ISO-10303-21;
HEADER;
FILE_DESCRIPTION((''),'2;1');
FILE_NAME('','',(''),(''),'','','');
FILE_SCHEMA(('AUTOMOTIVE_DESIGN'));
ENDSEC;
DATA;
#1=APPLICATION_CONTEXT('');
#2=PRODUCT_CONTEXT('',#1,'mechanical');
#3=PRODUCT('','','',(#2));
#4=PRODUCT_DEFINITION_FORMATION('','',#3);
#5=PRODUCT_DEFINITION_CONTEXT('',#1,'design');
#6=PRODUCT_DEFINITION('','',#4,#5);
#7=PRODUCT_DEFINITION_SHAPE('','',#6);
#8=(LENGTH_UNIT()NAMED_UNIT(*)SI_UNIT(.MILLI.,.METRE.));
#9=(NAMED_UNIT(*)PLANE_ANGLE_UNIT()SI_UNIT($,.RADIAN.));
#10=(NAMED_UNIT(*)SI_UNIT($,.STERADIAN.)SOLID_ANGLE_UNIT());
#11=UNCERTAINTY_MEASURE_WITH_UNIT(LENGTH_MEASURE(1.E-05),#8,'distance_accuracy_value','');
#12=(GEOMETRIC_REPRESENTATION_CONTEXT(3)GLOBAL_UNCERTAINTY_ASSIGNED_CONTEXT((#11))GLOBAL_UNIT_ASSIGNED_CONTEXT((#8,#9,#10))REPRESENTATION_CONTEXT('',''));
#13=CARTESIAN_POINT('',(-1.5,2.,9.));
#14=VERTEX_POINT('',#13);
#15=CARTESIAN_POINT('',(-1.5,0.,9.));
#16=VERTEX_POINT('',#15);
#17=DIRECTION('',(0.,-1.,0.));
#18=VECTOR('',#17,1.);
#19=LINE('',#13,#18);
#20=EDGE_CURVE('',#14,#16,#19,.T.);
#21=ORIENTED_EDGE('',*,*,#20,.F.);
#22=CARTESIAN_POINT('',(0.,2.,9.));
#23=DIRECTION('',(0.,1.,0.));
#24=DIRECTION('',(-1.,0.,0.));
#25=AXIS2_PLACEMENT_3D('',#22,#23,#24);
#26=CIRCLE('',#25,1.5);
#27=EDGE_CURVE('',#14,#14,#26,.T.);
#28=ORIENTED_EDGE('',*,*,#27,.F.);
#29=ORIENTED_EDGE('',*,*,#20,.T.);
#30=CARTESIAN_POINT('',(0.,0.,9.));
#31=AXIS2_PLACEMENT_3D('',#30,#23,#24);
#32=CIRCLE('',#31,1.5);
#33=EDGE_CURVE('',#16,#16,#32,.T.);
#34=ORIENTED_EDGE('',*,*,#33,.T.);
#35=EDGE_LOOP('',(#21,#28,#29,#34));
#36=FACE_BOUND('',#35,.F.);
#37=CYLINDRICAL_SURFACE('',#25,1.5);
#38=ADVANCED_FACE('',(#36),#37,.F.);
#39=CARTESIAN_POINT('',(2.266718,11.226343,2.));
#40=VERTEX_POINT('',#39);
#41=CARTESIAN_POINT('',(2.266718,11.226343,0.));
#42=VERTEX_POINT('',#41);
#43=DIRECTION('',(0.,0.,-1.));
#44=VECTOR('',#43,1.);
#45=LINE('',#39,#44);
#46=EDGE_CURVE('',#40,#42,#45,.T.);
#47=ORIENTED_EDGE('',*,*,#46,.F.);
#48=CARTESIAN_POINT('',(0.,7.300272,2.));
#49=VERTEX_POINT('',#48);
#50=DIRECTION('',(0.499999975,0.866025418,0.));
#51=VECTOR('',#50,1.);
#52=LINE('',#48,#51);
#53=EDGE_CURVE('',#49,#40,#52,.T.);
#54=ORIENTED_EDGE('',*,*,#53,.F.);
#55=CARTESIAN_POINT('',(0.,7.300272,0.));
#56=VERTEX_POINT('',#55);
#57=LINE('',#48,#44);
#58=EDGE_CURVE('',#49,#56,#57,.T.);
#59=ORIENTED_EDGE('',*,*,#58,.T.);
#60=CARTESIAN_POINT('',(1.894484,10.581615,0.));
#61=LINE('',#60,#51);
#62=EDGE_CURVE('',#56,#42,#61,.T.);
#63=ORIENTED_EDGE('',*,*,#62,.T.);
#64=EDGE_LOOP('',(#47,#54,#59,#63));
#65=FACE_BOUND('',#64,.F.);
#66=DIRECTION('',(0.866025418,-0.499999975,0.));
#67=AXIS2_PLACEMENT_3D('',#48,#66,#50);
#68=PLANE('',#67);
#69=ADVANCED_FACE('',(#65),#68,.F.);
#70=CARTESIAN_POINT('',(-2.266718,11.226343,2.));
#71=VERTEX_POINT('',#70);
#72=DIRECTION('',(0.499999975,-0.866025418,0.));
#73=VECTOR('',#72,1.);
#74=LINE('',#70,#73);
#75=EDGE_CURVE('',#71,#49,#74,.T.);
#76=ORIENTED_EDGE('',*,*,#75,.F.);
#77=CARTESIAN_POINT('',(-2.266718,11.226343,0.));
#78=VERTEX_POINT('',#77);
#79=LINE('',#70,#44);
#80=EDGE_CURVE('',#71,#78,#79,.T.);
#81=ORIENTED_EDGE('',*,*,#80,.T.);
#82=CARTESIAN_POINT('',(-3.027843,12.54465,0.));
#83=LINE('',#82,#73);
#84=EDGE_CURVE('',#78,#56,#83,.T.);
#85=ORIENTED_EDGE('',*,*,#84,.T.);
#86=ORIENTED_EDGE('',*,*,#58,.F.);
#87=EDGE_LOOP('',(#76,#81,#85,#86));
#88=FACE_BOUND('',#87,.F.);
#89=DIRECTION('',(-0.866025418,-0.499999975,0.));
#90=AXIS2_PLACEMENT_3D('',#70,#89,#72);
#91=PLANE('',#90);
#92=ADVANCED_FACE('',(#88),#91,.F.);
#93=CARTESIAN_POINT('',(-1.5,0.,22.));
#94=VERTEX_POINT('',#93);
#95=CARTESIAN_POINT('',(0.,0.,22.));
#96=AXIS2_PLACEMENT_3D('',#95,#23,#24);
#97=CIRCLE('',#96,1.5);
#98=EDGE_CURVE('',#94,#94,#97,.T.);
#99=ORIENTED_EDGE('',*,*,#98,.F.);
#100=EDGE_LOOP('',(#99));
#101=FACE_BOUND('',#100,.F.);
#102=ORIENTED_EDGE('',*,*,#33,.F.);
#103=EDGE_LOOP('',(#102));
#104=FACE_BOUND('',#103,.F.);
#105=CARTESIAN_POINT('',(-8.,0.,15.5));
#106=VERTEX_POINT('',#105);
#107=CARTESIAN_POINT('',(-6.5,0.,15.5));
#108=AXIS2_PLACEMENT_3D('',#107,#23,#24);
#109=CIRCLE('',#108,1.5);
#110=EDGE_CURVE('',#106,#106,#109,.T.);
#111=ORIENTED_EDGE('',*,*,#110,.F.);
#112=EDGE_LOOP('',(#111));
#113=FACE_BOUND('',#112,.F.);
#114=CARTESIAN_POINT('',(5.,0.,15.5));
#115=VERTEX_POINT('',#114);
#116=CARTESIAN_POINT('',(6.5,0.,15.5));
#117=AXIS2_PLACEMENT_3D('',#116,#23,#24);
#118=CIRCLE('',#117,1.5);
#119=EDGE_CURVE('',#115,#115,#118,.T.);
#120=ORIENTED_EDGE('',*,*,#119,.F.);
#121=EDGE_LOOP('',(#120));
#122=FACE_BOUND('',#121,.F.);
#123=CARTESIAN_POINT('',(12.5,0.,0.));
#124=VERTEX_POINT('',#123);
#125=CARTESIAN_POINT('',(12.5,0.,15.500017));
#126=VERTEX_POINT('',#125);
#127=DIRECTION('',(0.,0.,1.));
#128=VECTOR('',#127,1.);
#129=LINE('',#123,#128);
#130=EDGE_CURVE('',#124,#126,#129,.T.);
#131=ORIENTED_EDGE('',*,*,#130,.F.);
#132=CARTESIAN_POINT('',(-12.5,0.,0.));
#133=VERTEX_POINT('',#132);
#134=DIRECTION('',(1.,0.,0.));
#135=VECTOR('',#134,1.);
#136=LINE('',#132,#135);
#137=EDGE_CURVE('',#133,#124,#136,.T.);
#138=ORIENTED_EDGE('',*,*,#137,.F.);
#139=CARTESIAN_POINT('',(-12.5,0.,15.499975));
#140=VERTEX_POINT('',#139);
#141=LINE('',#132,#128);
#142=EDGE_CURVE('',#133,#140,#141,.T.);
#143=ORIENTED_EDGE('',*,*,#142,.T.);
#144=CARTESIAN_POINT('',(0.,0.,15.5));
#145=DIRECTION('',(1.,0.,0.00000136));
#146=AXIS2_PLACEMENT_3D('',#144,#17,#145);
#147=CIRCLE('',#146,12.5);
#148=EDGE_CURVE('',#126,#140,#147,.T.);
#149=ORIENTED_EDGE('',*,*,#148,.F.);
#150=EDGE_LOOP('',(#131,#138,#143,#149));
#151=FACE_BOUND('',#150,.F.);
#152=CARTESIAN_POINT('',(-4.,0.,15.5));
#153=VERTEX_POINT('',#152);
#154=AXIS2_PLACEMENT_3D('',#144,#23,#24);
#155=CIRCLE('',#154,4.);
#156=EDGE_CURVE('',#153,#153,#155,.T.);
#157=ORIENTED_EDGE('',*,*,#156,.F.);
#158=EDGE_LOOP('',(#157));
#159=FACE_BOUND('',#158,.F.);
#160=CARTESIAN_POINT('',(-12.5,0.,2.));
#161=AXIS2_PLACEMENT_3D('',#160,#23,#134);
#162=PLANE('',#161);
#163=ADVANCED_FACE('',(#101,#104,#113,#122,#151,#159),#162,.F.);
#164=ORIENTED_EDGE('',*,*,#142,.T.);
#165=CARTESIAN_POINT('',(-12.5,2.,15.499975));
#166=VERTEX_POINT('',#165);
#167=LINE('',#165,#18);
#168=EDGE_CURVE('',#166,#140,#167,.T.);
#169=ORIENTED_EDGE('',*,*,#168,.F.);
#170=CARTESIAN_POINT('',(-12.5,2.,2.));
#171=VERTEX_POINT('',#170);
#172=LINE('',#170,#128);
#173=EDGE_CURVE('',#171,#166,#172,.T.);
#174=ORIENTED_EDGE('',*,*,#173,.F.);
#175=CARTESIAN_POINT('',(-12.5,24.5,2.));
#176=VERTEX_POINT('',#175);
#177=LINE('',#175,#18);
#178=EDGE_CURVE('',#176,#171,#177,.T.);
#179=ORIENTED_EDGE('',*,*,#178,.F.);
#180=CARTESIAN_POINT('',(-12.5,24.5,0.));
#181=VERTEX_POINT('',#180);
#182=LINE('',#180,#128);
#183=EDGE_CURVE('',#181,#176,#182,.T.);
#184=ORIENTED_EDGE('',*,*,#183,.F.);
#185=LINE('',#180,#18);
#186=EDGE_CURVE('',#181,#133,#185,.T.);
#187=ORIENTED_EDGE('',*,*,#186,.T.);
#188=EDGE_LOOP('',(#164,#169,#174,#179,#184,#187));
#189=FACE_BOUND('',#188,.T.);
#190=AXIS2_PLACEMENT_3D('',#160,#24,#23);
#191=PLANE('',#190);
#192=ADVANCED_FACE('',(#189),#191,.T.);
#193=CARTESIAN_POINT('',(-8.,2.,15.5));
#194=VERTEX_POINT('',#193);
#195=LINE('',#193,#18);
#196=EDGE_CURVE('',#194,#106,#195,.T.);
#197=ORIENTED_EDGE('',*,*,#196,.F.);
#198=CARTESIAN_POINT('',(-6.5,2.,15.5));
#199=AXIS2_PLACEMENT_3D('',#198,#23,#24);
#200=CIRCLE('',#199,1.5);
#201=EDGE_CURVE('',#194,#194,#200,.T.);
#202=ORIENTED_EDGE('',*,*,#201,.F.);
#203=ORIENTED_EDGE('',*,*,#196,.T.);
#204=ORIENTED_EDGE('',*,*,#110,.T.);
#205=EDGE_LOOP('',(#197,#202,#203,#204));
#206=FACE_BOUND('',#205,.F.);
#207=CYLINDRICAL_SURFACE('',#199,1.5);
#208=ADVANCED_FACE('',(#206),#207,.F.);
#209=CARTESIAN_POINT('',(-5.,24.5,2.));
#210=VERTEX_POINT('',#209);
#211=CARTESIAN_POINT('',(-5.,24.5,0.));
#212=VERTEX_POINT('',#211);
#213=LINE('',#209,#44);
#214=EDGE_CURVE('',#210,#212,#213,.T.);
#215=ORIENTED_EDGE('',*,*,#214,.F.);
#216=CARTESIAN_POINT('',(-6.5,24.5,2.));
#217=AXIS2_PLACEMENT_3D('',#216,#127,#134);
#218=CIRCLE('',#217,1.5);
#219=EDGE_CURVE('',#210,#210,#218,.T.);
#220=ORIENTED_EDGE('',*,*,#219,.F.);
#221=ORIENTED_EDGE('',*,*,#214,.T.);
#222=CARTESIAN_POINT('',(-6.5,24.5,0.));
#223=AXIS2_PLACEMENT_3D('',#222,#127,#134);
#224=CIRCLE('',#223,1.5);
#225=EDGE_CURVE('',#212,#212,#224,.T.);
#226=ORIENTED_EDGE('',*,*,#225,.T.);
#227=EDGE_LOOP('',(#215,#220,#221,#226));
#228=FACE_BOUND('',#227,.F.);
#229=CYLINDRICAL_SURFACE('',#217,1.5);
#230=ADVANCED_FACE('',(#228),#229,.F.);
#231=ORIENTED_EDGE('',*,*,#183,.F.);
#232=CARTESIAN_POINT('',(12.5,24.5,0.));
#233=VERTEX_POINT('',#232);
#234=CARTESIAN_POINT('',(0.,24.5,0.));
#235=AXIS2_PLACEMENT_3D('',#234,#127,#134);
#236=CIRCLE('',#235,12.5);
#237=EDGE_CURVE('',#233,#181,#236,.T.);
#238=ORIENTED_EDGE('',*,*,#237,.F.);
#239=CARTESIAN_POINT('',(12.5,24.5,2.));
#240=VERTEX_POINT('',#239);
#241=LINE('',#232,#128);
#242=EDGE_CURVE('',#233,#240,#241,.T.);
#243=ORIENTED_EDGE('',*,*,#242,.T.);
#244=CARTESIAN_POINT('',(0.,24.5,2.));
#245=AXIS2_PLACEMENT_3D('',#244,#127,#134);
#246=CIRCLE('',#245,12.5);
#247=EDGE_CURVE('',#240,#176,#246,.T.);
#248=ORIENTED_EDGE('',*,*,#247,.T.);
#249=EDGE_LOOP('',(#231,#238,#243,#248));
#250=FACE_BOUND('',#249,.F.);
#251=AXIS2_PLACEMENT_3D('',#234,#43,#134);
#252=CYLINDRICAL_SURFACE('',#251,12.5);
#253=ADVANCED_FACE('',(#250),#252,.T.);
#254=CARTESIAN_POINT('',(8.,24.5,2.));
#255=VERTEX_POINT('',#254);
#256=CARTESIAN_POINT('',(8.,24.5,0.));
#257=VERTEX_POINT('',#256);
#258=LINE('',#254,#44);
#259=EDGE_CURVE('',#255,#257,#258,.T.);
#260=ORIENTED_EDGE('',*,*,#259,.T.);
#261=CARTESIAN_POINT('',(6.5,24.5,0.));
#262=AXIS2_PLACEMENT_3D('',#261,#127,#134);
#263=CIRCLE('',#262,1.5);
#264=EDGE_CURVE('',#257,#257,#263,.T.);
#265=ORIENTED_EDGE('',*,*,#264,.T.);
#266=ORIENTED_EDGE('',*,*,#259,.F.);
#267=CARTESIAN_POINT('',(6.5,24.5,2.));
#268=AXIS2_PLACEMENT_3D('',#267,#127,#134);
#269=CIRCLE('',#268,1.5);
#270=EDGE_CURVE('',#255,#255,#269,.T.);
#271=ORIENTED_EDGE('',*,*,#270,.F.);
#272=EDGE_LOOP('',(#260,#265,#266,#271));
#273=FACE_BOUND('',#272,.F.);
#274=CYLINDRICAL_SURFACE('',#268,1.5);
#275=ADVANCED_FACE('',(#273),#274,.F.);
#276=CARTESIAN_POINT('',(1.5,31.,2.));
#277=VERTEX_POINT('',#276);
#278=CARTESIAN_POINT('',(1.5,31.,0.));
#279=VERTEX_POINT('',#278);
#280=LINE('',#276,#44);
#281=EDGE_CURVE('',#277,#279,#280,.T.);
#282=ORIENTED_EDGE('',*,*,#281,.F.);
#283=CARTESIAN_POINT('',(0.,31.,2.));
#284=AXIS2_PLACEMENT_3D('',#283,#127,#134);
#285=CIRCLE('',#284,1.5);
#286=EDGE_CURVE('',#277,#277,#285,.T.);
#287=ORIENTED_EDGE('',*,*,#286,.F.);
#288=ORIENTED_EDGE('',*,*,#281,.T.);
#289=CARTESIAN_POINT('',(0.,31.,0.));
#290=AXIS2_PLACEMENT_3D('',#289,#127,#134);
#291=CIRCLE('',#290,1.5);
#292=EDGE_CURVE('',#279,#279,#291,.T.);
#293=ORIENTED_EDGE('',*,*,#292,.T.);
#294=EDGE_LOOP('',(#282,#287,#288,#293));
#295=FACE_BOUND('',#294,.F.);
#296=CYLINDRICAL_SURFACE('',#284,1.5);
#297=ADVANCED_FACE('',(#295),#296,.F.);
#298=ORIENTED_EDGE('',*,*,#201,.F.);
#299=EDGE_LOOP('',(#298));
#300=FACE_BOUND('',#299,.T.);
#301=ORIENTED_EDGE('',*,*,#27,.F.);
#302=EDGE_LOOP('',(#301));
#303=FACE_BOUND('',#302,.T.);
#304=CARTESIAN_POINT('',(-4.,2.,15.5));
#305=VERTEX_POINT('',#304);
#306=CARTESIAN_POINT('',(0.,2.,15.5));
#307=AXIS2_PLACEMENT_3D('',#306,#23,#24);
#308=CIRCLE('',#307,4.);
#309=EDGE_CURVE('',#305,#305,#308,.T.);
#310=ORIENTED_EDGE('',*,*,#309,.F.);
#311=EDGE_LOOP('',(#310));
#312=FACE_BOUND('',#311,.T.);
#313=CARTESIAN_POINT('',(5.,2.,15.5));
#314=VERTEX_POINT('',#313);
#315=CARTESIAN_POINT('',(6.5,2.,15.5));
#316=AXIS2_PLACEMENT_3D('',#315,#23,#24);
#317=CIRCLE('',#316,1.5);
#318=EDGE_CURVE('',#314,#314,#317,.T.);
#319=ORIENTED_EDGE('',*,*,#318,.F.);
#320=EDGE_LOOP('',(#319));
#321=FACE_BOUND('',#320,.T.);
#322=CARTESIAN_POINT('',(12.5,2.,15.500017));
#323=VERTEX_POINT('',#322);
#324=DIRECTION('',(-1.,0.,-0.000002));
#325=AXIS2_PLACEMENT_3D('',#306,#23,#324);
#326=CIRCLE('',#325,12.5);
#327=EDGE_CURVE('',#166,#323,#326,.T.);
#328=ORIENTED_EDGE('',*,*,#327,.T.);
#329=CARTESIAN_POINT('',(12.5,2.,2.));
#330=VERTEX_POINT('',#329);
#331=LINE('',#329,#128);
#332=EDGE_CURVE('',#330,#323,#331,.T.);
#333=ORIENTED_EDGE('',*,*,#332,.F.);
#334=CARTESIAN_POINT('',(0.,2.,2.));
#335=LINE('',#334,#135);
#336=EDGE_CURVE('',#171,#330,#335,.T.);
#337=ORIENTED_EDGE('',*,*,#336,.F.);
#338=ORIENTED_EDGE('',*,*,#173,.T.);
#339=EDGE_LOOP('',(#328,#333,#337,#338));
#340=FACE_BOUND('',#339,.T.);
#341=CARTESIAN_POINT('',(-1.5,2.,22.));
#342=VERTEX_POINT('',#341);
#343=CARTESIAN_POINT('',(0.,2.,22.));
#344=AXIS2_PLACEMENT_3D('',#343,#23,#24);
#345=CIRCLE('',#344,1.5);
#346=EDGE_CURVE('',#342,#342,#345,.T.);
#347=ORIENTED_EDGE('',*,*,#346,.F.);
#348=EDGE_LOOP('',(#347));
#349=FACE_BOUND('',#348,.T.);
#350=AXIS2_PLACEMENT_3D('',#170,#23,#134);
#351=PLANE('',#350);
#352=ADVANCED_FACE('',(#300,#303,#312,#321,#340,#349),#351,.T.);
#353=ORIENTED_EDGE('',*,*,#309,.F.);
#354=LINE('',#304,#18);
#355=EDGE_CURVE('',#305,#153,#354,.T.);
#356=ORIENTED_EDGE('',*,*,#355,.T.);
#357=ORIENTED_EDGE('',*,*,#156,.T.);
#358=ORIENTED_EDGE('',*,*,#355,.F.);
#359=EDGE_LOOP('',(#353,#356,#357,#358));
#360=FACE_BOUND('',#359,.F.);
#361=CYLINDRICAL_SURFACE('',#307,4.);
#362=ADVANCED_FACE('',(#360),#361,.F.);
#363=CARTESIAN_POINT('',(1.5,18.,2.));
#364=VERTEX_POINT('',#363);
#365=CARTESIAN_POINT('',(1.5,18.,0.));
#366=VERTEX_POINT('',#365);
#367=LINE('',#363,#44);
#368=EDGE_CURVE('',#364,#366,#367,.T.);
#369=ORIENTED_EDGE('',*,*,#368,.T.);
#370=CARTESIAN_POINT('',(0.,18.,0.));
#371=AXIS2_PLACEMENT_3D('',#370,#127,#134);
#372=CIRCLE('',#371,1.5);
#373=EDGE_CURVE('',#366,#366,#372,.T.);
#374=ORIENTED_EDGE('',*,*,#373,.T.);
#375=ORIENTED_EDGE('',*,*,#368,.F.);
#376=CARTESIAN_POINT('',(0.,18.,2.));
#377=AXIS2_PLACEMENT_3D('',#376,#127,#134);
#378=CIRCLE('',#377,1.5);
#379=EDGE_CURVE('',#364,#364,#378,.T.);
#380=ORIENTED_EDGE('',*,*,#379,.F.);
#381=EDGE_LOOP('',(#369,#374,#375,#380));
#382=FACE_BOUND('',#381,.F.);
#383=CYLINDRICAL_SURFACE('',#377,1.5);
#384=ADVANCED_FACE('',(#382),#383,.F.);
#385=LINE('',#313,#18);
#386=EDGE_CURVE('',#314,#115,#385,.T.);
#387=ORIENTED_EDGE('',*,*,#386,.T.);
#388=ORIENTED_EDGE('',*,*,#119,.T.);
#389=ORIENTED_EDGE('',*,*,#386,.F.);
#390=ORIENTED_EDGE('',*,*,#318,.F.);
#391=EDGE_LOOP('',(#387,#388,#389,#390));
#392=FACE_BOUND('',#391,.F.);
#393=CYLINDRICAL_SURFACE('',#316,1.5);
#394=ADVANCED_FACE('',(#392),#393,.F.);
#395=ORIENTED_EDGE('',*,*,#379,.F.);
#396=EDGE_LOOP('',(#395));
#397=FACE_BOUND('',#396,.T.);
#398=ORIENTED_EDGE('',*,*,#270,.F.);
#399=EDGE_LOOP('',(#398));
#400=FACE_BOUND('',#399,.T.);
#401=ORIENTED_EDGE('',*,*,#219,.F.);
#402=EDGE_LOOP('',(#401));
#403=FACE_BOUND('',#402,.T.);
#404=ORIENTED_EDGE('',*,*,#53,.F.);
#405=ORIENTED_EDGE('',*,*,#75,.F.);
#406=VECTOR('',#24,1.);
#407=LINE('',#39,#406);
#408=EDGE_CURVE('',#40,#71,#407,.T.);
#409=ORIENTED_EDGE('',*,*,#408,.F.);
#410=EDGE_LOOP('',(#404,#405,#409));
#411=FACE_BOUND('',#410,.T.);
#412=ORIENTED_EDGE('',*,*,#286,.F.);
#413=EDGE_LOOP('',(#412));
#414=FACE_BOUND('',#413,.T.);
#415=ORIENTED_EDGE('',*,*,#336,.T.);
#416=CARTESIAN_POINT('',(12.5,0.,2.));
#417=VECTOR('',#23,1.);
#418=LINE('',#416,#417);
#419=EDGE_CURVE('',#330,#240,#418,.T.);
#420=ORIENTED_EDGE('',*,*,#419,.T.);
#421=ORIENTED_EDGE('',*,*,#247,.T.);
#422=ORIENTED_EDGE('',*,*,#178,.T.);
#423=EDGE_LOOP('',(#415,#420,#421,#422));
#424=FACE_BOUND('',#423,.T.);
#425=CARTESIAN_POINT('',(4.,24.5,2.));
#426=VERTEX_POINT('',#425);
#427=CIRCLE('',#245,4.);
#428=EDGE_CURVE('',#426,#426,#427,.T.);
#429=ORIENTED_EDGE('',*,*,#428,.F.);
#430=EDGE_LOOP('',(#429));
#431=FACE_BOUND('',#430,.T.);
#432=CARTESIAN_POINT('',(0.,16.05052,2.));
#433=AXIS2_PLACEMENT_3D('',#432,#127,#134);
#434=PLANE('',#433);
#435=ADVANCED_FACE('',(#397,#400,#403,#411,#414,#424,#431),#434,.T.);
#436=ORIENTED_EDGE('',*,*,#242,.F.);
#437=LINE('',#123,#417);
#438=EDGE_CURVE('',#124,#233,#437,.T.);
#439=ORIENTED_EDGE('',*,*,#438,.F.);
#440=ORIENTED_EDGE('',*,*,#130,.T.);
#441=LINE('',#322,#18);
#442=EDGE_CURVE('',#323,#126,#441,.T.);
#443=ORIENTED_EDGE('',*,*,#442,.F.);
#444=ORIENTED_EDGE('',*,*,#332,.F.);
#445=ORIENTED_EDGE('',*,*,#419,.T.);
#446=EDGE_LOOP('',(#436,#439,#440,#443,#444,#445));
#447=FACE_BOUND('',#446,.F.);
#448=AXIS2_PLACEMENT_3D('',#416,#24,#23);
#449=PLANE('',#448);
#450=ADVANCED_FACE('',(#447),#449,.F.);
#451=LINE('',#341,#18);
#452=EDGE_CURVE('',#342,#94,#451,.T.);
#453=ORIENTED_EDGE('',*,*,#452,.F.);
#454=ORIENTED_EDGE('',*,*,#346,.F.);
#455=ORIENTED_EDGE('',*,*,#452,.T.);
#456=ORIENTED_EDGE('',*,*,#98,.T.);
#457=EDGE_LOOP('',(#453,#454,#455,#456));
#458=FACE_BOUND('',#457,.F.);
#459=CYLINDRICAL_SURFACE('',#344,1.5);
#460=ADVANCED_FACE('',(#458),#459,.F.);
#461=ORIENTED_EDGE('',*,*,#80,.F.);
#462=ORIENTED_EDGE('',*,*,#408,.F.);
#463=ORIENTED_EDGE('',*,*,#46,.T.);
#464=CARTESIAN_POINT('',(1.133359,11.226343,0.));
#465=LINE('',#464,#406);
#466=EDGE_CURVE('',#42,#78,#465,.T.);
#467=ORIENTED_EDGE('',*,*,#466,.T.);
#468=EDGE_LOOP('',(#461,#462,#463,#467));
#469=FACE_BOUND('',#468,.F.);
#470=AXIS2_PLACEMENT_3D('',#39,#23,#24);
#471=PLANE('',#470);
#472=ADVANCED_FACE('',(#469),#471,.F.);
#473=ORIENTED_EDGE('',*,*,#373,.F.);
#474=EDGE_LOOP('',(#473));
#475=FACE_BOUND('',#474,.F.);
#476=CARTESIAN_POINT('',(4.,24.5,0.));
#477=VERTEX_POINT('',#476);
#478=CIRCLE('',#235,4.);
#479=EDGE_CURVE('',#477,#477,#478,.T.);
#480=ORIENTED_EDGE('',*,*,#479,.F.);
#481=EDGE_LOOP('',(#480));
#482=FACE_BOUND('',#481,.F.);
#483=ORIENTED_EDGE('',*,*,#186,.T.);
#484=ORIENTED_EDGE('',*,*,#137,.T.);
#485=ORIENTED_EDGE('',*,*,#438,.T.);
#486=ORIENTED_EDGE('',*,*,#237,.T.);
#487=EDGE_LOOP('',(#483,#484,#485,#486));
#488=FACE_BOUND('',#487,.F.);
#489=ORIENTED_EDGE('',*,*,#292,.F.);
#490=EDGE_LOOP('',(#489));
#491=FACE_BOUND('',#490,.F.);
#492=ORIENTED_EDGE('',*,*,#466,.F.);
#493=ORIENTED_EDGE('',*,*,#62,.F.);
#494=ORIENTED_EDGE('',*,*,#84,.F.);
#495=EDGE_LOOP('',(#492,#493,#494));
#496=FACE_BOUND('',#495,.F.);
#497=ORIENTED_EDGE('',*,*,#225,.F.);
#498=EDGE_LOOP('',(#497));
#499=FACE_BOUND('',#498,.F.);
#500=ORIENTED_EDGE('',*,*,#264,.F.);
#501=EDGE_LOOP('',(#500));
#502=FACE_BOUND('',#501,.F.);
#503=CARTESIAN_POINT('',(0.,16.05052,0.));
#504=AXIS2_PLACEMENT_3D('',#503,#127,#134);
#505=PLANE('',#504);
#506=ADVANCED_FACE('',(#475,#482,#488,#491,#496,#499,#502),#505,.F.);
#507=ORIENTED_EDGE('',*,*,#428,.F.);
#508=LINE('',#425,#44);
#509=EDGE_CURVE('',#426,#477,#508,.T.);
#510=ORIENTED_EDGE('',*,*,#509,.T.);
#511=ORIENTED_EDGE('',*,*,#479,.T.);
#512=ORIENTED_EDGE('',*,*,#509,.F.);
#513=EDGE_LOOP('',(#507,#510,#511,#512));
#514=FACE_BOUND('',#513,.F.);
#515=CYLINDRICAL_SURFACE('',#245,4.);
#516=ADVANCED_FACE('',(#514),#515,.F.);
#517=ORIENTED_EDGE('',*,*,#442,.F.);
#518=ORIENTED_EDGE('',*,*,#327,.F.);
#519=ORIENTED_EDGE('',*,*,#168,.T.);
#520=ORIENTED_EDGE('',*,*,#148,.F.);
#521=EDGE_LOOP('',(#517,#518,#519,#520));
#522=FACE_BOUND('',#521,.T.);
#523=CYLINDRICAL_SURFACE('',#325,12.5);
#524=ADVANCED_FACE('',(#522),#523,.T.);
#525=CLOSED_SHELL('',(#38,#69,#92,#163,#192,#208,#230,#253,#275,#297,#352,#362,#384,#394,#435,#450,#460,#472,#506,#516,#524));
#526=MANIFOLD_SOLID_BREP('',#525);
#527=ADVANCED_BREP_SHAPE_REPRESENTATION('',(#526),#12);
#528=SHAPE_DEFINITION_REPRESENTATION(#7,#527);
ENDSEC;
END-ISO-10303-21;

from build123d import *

# Parameters (mm, degrees)
PAD_DEPTH       = 2
SKETCH001_W     = 25
SKETCH001_H     = 2
PAD001_DEPTH    = 26
SKETCH002_R     = 1.5
SKETCH002_R_2   = 4
POCKET_DEPTH    = 5
SKETCH003_R     = 1.5
SKETCH003_R_2   = 4
POCKET001_DEPTH = 5


with BuildPart() as part:
    # Sketch → Pad (new body)
    with BuildSketch(Plane.XY):
        with BuildLine():
            Line((-12.5, 0), (12.5, 0))
            Line((12.5, 0), (12.5, 24.5))
            ThreePointArc((12.5, 24.5), (0, 37), (-12.5, 24.5))
            Line((-12.5, 24.5), (-12.5, 0))
        make_face()
    extrude(amount=PAD_DEPTH)

    # Sketch001 (on Face6 of Pad) → Pad001 (join)
    with BuildSketch(Plane.XY.offset(2)):
        with Locations((0, 1)):
            Rectangle(SKETCH001_W, SKETCH001_H)
    extrude(amount=PAD001_DEPTH)

    # Sketch002 (on Face7 of Pad001) → Pocket (cut)
    with BuildSketch(Plane.XY.offset(2)):
        with Locations((0, 31)):
            Circle(SKETCH002_R)
        with Locations((0, 24.5)):
            Circle(SKETCH002_R_2)
        with Locations((0, 18)):
            Circle(SKETCH002_R)
        with Locations((6.5, 24.5)):
            Circle(SKETCH002_R)
        with Locations((-6.5, 24.5)):
            Circle(SKETCH002_R)
        Polygon((2.266718, 11.226343), (-2.266718, 11.226343), (0, 7.300272), align=None)
    extrude(amount=-POCKET_DEPTH, mode=Mode.SUBTRACT)

    # Sketch003 (on Face19 of Pocket) → Pocket001 (cut)
    with BuildSketch(Plane(origin=(0, 2, 0), x_dir=(-1, 0, 0), z_dir=(0, 1, 0))):
        with Locations((0, 22)):
            Circle(SKETCH003_R)
        with Locations((0, 15.5)):
            Circle(SKETCH003_R_2)
        with Locations((0, 9)):
            Circle(SKETCH003_R)
        with Locations((6.5, 15.5)):
            Circle(SKETCH003_R)
        with Locations((-6.5, 15.5)):
            Circle(SKETCH003_R)
        with BuildLine():
            ThreePointArc((12.5, 15.499975), (2.1e-05, 28), (-12.5, 15.500017))
            Line((-15.082001, 13.79535), (-12.5, 15.500017))
            Line((-17.874443, 34.459404), (-15.082001, 13.79535))
            Line((19.595028, 31.666967), (-17.874443, 34.459404))
            Line((12.5, 15.499975), (19.595028, 31.666967))
        make_face()
    extrude(amount=-POCKET001_DEPTH, mode=Mode.SUBTRACT)


solid = part.part
